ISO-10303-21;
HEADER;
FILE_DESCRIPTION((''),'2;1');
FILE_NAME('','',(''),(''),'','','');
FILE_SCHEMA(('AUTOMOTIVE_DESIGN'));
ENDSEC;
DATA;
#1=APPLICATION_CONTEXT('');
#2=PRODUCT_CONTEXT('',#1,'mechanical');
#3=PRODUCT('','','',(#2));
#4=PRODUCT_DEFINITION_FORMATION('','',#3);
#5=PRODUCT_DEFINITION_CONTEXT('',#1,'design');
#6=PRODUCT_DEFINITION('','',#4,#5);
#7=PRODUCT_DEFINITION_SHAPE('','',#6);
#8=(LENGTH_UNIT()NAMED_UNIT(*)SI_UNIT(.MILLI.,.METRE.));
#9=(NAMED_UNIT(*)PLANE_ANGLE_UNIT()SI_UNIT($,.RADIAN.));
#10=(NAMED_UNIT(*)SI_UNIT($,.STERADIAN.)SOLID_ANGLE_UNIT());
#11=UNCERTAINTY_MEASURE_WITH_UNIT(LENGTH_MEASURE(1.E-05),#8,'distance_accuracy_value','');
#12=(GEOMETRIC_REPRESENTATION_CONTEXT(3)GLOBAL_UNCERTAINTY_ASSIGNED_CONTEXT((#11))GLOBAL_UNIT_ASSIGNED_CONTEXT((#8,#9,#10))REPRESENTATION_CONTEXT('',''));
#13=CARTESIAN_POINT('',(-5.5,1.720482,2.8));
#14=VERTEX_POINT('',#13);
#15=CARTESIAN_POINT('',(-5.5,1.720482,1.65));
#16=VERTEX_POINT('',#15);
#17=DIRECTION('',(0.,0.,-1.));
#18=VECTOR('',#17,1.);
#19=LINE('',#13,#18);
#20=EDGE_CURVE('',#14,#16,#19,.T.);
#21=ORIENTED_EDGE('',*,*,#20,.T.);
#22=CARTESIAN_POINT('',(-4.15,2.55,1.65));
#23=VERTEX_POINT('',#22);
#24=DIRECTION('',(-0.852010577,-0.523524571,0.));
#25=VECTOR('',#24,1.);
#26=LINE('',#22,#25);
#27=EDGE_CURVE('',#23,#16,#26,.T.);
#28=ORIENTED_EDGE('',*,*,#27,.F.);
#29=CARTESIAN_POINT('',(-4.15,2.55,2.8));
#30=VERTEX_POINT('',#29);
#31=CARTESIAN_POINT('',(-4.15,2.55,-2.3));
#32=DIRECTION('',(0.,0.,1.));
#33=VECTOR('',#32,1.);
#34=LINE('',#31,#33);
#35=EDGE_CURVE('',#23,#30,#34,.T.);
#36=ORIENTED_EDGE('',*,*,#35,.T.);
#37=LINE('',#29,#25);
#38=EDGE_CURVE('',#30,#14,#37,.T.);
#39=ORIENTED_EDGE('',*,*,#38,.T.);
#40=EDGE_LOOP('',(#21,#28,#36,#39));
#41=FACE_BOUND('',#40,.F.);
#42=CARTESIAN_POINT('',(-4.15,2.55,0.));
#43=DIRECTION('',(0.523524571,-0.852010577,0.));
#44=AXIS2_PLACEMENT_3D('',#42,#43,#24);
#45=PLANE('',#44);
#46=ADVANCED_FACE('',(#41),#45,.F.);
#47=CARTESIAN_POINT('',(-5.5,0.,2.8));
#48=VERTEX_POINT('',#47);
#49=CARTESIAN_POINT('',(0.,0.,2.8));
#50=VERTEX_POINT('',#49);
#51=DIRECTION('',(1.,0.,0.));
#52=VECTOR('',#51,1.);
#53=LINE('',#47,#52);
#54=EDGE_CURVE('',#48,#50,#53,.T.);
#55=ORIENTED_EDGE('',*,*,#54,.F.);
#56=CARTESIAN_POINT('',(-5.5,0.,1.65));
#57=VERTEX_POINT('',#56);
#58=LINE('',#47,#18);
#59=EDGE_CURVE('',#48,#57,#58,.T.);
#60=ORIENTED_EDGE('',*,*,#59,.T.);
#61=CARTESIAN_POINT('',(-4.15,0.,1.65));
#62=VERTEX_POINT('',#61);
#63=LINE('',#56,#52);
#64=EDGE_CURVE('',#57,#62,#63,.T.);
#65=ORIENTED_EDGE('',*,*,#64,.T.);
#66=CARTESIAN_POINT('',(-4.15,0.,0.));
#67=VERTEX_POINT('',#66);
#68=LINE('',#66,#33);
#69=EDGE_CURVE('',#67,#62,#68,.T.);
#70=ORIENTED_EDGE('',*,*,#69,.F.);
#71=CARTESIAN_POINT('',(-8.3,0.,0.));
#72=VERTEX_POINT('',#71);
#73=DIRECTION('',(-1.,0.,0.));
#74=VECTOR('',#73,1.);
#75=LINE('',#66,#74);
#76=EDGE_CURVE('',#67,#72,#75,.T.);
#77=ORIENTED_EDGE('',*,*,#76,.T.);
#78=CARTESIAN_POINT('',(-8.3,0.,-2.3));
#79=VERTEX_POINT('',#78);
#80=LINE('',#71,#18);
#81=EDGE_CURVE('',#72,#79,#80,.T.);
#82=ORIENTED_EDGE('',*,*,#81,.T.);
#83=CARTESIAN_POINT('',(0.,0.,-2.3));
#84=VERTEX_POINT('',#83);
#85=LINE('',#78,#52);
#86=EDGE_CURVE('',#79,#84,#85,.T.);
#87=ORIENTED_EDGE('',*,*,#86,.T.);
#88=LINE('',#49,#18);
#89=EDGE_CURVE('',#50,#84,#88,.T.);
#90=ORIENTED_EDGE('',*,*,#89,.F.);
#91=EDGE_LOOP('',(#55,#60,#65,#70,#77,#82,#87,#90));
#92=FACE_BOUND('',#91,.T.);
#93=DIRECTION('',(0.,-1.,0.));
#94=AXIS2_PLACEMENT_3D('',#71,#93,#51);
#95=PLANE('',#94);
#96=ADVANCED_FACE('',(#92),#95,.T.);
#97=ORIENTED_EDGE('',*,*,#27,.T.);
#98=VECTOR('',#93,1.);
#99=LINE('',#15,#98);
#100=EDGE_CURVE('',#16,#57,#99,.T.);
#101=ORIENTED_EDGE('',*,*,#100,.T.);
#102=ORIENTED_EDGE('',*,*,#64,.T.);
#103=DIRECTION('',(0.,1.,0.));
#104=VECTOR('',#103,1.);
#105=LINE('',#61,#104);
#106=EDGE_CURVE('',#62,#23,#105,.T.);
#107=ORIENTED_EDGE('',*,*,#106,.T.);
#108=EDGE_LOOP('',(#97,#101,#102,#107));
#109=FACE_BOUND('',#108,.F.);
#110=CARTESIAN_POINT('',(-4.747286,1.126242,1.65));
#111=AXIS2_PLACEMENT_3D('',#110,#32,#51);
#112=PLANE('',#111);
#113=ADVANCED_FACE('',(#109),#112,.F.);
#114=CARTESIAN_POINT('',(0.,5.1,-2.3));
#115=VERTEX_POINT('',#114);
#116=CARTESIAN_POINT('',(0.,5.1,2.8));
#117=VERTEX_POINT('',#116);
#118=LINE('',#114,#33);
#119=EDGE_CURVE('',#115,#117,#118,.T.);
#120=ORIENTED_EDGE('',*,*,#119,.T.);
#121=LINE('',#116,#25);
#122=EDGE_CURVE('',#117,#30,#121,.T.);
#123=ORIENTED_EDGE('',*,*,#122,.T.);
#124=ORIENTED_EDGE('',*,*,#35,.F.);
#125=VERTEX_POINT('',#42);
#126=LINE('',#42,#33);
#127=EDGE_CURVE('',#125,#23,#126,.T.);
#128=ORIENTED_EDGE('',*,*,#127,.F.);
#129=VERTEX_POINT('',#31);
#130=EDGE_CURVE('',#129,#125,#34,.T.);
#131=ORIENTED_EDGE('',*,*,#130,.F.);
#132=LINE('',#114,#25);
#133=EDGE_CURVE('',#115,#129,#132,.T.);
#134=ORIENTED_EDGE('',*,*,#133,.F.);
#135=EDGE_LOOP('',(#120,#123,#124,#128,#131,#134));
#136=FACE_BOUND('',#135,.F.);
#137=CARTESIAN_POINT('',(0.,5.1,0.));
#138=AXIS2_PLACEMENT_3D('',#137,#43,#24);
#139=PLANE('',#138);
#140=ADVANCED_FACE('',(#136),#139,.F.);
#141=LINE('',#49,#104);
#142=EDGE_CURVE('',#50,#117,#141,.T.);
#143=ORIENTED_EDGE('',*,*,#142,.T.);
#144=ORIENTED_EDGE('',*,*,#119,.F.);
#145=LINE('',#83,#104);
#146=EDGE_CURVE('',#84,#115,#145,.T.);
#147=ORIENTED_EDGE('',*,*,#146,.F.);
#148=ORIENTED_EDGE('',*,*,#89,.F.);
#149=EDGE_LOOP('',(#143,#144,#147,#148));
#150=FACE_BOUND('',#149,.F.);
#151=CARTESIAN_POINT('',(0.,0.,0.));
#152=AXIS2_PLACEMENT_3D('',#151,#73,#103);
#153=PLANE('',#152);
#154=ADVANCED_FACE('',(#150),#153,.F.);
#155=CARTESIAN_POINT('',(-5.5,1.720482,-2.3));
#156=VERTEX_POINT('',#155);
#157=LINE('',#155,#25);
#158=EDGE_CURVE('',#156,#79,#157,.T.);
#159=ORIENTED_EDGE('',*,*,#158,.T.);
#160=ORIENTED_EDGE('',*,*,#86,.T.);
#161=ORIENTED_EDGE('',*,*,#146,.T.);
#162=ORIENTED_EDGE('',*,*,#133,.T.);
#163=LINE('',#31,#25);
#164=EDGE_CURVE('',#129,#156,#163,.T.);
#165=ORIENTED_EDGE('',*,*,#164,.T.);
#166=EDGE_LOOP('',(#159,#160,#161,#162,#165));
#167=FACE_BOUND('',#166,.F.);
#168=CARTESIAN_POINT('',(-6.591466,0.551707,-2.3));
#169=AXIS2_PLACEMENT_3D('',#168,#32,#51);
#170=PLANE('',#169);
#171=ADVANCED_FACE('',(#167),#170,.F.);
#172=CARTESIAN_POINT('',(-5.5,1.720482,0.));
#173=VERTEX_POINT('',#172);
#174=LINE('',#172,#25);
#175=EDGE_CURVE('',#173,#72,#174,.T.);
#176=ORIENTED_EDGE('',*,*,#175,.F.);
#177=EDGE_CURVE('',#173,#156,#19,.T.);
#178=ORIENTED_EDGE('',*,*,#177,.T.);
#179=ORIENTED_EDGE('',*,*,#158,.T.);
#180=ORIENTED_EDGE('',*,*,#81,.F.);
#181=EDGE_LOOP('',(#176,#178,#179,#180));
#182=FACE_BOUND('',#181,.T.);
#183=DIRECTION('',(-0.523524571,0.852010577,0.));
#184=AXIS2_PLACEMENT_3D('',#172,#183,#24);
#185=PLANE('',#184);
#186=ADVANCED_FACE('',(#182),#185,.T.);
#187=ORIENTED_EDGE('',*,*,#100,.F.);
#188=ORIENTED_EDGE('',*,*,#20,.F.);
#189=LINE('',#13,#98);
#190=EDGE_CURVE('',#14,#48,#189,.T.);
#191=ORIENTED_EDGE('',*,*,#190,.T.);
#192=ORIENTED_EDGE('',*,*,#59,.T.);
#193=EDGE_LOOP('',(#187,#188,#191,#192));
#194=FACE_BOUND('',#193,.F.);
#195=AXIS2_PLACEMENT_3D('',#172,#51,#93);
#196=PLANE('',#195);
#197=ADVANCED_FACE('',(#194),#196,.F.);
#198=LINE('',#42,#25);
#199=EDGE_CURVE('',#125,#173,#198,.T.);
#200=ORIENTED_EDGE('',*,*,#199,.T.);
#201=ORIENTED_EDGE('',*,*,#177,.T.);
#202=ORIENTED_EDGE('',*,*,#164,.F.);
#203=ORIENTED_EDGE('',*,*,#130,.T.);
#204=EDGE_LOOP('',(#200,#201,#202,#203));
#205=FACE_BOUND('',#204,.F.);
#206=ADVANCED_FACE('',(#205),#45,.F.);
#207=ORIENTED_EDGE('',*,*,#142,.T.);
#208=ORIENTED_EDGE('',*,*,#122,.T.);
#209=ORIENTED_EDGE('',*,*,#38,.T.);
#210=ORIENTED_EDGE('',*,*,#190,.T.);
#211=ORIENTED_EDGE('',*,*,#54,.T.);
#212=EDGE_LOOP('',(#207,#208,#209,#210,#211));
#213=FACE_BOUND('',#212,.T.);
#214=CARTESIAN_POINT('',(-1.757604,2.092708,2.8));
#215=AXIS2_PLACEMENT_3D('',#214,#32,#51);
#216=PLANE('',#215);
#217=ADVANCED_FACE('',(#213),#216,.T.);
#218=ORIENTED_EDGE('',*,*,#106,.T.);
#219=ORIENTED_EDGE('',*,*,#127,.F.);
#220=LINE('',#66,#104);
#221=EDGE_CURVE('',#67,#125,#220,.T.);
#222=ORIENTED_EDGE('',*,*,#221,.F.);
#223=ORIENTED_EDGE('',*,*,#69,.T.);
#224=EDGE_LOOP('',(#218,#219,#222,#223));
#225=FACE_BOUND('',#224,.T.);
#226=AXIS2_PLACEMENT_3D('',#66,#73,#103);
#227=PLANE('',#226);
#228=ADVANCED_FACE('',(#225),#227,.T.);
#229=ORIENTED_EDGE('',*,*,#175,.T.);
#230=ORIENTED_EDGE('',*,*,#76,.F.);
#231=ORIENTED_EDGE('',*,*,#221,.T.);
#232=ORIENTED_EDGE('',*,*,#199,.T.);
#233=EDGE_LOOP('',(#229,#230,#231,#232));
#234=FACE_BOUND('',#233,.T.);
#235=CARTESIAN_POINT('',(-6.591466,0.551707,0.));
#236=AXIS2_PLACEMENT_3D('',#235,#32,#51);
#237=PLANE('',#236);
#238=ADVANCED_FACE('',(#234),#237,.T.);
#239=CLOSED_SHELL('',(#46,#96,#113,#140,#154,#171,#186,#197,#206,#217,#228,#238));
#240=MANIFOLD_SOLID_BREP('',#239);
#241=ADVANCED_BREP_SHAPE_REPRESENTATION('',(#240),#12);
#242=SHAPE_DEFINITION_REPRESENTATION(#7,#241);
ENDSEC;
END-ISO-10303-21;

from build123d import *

# Parameters (mm, degrees)
F1_DEPTH      = 2.3
F1_DEPTH_BACK = 2.8
F2_DEPTH      = 2.3
F3_DEPTH      = 1.65


with BuildPart() as f1:
    # F0 (on Top) → F1 (new body, two sides)
    with BuildSketch(Plane.XY) as f1_sk:
        Polygon((-4.15, 0), (0, 0), (0, 5.1), (-4.15, 2.55), align=None)
        Polygon((-5.5, 0), (-4.15, 0), (-4.15, 2.55), (-5.5, 1.7204819277), align=None)
    extrude(amount=-F1_DEPTH)
    extrude(f1_sk.sketch, amount=F1_DEPTH_BACK)

    # F0 (on Top) → F2 (join)
    with BuildSketch(Plane.XY):
        Polygon((-8.3, 0), (-5.5, 0), (-5.5, 1.7204819277), align=None)
    extrude(amount=-F2_DEPTH)

    # F0 (on Top) → F3 (cut)
    with BuildSketch(Plane.XY):
        Polygon((-5.5, 0), (-4.15, 0), (-4.15, 2.55), (-5.5, 1.7204819277), align=None)
    extrude(amount=F3_DEPTH, mode=Mode.SUBTRACT)


solid = f1.part
